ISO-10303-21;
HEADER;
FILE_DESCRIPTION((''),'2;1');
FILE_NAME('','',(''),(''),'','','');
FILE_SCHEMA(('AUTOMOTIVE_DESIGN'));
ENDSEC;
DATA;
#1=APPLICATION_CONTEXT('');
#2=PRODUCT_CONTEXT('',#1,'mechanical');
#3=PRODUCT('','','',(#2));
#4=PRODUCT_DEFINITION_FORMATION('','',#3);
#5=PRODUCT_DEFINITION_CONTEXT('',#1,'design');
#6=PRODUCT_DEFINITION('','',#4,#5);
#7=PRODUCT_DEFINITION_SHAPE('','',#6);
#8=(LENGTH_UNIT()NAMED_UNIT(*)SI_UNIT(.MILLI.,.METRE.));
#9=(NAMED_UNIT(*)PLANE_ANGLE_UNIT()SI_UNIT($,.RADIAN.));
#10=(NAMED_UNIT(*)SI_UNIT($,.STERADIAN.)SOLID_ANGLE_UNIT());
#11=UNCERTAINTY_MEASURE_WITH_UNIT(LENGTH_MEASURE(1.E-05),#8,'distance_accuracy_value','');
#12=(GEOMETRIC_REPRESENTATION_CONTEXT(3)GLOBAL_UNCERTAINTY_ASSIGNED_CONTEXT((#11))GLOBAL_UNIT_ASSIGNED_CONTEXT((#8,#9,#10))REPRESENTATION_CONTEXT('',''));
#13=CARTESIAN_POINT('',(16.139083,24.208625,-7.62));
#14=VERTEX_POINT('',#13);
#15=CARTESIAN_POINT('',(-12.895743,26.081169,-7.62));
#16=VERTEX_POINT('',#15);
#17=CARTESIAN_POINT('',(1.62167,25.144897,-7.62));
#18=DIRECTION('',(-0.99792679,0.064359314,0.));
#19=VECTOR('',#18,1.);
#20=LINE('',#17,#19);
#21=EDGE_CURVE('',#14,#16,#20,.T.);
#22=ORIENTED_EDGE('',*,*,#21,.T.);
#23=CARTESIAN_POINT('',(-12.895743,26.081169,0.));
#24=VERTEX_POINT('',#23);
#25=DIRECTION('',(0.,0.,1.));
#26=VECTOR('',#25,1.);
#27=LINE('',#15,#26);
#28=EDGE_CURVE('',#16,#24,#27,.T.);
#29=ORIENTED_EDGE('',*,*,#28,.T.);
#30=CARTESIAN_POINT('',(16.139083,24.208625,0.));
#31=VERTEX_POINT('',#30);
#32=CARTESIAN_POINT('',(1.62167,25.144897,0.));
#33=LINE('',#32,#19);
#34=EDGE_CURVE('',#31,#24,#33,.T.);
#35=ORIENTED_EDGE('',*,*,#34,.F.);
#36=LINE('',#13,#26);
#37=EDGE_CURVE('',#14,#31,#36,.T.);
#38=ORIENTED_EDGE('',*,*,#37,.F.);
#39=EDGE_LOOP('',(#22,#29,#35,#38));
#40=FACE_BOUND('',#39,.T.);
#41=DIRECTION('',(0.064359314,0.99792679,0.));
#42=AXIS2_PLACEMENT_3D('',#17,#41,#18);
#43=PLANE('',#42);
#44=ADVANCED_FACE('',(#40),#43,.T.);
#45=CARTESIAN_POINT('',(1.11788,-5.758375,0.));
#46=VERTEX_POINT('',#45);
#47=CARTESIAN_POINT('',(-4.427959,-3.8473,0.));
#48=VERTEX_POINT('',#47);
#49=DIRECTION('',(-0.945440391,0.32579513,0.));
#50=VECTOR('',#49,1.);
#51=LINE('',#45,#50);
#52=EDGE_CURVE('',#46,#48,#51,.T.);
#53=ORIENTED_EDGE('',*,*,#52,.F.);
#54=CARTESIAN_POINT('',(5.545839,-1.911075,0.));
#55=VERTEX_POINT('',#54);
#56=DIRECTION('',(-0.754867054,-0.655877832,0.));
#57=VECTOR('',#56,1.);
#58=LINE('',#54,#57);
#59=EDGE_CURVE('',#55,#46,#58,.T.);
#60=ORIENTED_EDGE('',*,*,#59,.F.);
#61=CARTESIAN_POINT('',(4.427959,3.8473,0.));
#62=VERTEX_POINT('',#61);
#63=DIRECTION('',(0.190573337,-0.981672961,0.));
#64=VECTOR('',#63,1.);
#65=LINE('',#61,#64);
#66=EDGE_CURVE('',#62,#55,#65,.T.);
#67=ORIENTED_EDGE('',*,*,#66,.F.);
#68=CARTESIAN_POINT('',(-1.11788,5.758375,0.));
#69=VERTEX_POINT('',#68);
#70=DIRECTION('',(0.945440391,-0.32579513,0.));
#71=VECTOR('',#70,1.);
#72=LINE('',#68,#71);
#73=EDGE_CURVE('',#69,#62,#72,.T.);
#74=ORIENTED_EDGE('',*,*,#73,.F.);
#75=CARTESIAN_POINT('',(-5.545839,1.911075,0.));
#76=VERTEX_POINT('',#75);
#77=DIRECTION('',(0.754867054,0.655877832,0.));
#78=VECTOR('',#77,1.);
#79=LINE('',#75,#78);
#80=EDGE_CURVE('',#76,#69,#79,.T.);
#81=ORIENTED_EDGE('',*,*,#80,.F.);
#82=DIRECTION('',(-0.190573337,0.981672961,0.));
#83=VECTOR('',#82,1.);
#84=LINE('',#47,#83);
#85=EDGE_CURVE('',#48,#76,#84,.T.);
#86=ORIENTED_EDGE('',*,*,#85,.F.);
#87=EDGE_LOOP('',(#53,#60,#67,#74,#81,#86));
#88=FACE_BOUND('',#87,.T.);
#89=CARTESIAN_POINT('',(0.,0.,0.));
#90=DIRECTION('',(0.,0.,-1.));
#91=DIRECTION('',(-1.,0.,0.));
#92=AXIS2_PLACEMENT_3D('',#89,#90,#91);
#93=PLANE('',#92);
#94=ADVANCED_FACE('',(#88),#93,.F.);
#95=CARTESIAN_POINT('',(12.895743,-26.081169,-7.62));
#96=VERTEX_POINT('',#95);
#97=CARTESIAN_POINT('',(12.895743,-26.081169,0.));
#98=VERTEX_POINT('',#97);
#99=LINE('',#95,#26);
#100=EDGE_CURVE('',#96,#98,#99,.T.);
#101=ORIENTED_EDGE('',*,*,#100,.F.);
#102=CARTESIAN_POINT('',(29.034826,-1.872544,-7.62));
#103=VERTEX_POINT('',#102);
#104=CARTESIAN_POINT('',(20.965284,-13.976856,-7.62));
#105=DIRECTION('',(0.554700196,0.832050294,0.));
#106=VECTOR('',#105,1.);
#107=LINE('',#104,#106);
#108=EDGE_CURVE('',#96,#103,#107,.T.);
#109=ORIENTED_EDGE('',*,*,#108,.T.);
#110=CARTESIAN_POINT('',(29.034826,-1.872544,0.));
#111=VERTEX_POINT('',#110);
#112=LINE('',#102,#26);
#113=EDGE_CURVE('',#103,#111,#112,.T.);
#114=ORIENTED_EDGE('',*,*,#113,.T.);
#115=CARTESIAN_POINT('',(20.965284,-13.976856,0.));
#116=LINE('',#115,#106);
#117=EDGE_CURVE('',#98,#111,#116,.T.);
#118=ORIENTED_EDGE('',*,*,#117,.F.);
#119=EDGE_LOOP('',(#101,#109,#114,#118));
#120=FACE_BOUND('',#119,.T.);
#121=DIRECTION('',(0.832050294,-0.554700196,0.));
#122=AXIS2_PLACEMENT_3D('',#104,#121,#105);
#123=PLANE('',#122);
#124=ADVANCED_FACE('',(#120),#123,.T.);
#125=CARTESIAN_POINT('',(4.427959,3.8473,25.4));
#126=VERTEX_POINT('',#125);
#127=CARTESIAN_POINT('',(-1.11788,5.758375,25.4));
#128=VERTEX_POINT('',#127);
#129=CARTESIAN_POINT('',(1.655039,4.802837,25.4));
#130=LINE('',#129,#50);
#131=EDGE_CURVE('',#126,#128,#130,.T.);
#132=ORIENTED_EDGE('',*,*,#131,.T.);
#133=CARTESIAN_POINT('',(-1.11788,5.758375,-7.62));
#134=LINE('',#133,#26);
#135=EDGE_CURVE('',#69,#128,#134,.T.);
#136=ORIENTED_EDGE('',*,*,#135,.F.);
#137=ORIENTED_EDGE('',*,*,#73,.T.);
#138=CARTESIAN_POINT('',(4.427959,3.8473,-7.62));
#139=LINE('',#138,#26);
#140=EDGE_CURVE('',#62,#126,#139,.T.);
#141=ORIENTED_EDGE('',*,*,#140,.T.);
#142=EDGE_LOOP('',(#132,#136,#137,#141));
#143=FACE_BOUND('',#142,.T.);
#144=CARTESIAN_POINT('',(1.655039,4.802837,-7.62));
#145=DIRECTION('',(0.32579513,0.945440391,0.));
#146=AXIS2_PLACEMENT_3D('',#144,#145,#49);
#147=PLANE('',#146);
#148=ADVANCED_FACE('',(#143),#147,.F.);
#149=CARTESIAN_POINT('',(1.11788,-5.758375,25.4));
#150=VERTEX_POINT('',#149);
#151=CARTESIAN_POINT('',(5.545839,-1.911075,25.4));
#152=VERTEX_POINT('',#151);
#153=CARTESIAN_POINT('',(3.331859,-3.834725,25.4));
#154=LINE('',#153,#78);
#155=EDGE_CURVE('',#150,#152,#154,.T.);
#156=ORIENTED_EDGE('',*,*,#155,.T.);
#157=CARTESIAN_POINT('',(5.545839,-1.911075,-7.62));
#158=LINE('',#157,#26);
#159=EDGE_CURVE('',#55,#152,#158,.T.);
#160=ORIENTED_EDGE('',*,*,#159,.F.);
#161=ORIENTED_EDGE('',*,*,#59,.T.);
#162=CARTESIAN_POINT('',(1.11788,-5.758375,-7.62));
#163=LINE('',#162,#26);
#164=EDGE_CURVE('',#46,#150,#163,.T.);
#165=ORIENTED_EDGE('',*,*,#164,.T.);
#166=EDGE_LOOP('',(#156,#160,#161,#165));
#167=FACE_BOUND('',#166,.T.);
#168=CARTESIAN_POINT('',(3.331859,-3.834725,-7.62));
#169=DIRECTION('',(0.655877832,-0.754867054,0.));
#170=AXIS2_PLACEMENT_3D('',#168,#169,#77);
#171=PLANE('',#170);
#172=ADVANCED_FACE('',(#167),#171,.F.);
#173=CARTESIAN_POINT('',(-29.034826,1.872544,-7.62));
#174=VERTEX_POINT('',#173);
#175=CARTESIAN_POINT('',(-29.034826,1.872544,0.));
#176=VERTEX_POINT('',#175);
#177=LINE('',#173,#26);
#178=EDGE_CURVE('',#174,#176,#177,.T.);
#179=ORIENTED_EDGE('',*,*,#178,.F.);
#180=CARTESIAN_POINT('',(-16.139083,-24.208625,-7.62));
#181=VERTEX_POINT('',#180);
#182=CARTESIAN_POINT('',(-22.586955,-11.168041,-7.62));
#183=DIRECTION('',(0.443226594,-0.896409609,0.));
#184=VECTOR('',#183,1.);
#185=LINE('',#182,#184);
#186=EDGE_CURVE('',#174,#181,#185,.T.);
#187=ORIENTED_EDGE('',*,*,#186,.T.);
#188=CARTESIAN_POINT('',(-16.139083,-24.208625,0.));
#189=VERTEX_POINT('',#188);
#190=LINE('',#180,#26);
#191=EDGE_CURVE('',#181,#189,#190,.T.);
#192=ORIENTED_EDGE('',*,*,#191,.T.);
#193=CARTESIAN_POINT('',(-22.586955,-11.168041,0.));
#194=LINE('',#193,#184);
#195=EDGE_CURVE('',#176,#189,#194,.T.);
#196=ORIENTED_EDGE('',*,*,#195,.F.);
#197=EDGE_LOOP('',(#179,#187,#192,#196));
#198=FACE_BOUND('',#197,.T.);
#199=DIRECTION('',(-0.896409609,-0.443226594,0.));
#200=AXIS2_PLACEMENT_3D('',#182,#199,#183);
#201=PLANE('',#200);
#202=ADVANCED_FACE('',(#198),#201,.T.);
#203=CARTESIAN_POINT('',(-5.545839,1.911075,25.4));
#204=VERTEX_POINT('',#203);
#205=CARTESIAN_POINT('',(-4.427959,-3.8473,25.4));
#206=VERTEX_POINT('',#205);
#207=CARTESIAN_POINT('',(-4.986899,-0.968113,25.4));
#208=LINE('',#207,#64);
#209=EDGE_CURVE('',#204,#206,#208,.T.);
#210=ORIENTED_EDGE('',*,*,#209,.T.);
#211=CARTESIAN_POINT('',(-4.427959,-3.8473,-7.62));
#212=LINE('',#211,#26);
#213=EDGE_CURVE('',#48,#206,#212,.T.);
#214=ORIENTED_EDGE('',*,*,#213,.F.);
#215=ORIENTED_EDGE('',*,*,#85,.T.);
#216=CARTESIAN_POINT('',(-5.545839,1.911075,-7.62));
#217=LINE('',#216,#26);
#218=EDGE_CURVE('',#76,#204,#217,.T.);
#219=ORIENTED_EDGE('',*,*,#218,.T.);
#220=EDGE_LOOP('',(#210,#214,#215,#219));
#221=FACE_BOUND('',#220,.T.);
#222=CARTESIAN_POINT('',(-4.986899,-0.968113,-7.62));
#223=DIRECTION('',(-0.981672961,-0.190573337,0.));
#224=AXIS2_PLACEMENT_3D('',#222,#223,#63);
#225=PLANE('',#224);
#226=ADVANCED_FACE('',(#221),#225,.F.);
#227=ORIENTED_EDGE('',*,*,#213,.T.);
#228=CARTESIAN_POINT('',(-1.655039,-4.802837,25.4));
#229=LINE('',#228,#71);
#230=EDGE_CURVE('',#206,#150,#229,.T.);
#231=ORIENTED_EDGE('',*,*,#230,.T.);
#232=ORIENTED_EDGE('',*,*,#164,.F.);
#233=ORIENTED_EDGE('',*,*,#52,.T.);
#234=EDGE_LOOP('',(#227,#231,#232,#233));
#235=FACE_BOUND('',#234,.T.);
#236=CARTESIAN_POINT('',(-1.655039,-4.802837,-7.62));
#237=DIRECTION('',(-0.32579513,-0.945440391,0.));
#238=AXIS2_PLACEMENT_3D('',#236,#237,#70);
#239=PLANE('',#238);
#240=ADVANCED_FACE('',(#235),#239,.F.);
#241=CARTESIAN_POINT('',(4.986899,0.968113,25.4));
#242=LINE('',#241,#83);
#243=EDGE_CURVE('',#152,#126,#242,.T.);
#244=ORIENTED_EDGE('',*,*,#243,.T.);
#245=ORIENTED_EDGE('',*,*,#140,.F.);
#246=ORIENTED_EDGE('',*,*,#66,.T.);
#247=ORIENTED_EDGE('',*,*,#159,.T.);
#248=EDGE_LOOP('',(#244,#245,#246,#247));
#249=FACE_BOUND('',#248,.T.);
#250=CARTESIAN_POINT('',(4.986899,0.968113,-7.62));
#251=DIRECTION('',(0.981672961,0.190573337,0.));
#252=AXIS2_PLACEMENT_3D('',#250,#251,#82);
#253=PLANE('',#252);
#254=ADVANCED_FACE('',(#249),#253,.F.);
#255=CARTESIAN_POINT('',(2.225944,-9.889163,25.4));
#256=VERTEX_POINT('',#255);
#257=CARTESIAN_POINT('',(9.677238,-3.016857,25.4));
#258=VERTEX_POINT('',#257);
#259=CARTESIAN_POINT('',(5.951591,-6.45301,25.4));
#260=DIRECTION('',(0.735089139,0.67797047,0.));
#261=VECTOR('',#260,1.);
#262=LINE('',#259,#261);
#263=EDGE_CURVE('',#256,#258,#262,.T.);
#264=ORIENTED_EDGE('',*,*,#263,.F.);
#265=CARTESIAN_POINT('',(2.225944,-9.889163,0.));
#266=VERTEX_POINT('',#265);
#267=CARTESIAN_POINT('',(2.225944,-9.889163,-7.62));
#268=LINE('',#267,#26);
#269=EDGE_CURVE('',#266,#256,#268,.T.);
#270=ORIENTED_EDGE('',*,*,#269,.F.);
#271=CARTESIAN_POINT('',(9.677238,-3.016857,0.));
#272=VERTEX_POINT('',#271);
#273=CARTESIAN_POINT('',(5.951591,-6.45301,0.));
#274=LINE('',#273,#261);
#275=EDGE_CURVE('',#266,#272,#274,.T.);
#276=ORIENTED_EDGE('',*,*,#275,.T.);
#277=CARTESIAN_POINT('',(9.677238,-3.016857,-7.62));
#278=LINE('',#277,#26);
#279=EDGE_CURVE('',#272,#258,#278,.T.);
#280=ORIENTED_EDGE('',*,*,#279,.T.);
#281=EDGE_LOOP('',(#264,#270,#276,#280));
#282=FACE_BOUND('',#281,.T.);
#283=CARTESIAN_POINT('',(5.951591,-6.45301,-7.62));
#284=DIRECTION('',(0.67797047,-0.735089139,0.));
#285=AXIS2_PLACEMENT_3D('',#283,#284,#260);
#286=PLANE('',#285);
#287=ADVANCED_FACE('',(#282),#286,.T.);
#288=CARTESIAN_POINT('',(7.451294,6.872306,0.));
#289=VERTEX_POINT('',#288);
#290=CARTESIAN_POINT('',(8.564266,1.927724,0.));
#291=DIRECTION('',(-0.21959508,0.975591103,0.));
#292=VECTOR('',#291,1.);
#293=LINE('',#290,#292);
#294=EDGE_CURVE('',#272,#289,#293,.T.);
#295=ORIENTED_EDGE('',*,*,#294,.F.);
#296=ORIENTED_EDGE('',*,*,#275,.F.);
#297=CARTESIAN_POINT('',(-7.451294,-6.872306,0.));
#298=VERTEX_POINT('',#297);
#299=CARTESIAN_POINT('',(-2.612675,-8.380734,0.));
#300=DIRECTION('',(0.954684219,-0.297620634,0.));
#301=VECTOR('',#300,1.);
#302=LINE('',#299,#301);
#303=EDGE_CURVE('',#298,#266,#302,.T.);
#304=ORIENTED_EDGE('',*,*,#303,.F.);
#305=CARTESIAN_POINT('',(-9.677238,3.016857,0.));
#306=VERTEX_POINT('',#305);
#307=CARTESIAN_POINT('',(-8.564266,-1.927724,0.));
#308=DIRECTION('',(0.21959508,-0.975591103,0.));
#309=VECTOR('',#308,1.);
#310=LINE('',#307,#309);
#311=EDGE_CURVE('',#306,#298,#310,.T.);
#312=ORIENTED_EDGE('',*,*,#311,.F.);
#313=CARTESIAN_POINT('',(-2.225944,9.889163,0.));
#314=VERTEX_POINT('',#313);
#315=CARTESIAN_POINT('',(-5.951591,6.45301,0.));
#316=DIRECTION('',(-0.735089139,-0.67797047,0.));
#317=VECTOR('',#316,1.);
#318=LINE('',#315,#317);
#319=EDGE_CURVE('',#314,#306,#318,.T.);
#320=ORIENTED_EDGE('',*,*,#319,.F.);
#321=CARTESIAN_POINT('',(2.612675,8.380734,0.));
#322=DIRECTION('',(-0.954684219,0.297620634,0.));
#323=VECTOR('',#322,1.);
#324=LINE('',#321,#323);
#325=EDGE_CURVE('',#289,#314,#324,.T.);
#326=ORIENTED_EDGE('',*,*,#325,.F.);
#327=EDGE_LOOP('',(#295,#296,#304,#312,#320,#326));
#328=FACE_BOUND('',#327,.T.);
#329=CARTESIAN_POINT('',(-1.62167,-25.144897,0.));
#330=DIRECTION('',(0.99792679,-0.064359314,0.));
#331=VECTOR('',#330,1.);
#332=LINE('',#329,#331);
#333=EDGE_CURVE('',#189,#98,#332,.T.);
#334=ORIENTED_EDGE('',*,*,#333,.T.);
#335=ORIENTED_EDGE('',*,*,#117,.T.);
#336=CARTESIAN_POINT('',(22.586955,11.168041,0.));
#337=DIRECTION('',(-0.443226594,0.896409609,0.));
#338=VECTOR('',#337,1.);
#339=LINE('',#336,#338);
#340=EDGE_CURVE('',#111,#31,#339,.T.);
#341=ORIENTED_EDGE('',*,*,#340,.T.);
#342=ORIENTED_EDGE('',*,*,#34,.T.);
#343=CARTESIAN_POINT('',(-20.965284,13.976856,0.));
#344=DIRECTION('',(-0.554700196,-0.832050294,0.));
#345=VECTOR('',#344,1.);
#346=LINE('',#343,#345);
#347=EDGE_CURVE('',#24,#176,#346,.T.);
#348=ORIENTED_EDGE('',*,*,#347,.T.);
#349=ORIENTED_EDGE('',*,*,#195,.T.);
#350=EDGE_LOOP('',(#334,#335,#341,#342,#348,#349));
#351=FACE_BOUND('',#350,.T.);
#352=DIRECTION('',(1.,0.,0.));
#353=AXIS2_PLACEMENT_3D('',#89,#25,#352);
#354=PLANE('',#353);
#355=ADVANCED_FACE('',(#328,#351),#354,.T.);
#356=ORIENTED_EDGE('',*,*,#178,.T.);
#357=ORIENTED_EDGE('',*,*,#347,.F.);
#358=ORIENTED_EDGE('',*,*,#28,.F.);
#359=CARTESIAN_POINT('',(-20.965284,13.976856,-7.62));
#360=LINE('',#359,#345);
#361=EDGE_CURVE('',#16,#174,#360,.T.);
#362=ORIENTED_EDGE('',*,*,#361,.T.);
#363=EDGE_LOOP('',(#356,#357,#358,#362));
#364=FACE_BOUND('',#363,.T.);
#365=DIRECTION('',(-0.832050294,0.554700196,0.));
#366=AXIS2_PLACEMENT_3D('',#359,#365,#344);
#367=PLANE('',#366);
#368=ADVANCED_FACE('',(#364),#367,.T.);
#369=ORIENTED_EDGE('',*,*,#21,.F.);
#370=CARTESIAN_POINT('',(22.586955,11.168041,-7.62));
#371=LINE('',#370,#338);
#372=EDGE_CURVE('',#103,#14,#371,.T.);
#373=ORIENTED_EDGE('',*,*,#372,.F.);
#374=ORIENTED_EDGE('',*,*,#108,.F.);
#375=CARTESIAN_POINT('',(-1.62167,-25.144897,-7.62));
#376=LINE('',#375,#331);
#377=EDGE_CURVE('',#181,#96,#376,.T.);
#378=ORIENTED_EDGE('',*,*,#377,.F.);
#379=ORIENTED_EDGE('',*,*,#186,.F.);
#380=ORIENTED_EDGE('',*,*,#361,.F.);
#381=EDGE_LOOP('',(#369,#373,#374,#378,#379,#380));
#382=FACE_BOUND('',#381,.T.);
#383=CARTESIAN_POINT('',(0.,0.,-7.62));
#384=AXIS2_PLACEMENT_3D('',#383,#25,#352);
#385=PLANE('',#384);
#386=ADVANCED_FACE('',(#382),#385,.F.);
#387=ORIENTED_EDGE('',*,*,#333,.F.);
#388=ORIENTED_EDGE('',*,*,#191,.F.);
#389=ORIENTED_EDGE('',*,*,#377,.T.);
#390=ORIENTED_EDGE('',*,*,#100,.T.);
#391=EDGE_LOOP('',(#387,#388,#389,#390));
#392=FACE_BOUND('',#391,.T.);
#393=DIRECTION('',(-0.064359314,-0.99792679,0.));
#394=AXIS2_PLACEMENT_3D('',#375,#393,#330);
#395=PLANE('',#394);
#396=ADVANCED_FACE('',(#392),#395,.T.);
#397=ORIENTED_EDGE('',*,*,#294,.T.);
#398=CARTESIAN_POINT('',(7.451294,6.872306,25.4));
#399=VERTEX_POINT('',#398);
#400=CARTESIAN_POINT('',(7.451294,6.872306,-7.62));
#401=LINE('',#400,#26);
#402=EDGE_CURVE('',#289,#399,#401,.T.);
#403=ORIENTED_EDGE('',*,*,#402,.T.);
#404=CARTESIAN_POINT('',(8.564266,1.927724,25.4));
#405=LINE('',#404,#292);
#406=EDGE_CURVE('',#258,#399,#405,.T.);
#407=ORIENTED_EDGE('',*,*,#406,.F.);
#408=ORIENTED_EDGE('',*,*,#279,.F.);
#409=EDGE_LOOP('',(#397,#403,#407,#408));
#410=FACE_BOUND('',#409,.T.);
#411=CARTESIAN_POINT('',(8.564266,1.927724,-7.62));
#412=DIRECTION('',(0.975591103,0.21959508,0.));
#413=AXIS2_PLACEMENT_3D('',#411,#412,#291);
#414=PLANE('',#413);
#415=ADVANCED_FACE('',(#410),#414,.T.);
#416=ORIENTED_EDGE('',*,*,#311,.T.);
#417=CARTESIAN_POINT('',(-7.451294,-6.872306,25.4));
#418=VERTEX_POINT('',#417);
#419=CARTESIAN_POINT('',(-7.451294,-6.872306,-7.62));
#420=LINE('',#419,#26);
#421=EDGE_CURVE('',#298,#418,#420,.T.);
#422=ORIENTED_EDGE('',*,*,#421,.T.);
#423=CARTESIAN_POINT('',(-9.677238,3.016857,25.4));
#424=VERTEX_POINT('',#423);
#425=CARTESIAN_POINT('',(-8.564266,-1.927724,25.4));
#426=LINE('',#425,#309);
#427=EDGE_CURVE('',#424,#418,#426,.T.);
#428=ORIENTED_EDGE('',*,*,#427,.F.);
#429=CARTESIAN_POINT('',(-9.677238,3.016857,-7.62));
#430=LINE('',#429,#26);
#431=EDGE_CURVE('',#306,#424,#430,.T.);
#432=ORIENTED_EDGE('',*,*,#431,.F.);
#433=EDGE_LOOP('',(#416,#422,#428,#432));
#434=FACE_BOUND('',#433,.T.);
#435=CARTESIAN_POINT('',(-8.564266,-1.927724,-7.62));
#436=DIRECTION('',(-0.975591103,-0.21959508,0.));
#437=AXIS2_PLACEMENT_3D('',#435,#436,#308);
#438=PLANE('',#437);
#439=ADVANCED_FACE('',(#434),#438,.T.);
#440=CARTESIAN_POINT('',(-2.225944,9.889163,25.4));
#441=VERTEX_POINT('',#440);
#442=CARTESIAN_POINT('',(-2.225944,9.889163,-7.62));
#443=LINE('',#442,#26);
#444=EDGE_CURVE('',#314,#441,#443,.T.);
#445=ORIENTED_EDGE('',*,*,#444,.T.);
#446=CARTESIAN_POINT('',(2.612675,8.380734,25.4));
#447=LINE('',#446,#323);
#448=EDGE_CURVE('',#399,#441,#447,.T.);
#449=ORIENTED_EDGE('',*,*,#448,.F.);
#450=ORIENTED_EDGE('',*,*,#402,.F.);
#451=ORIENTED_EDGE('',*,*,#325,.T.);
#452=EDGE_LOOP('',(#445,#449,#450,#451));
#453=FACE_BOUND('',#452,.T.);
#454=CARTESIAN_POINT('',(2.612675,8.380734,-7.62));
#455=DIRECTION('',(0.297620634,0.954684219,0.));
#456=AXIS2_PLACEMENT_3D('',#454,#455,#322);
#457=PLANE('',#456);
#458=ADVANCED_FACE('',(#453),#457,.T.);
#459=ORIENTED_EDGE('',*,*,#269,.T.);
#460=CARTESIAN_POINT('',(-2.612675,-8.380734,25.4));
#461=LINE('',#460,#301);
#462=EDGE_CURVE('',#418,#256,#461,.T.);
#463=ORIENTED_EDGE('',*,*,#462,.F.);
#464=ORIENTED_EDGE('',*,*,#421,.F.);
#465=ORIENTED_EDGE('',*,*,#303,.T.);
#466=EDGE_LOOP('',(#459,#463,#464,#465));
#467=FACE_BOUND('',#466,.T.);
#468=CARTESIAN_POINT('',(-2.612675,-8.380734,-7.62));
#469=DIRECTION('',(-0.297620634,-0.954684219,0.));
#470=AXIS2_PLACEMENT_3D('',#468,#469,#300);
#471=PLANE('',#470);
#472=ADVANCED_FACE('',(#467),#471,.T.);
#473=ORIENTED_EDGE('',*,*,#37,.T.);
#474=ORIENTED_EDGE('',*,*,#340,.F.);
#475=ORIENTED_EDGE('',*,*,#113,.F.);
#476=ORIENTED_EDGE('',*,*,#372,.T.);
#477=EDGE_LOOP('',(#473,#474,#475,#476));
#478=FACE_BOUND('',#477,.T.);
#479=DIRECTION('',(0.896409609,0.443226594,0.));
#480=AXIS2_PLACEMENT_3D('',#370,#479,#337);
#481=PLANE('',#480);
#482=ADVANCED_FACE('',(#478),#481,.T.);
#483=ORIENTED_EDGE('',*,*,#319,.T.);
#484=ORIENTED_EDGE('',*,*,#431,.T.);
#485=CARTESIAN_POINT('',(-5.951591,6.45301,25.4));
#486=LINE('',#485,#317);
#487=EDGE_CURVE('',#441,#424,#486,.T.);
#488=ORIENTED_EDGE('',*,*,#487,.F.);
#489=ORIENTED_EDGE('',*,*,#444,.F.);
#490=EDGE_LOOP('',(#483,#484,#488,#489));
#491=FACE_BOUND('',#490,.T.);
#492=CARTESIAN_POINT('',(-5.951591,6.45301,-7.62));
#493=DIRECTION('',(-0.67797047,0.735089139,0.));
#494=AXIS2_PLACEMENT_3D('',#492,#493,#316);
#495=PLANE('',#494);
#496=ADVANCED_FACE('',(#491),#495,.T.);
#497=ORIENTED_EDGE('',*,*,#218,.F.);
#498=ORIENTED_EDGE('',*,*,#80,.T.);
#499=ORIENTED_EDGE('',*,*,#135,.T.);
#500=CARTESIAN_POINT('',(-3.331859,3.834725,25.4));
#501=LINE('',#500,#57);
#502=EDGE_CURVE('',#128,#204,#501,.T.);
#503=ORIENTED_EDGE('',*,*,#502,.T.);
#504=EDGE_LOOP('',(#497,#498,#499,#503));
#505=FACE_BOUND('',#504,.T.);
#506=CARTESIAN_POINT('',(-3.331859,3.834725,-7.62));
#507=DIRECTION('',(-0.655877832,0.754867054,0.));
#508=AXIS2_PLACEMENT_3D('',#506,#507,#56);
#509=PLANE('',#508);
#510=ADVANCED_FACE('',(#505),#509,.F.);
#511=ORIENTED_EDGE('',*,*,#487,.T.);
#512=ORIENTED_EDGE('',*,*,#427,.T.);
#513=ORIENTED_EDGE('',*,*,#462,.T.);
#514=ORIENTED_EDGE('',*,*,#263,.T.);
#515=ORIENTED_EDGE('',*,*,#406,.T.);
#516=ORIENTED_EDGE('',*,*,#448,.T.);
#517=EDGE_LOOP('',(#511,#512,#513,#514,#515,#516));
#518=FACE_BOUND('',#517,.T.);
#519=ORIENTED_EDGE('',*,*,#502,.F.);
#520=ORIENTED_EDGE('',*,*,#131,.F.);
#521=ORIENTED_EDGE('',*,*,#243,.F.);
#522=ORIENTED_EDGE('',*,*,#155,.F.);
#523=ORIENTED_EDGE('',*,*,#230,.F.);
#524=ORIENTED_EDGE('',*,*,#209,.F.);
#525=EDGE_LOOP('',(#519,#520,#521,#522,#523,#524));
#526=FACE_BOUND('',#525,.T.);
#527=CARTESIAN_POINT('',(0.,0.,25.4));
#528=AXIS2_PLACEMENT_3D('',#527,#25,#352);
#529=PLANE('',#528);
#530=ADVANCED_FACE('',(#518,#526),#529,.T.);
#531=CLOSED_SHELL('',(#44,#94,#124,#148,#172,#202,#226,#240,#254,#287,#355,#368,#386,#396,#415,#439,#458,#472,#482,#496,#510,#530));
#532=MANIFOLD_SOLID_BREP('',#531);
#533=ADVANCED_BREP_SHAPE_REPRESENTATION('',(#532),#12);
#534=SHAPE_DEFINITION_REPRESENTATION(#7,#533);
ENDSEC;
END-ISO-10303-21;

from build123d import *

# Parameters (mm, degrees)
BOSS_EXTRUDE1_DEPTH      = 7.62
BOSS_EXTRUDE2_DEPTH      = 25.4
BOSS_EXTRUDE2_DEPTH_BACK = 7.62
BOSS_EXTRUDE3_DEPTH      = 7.62


with BuildPart() as part:
    # Sketch1 → Boss-Extrude1 (new body)
    with BuildSketch(Plane.XY):
        Polygon((29.034826066, -1.872543671), (16.139083421, 24.208625132), (-12.895742644, 26.081168803), (-29.034826066, 1.872543671), (-16.139083421, -24.208625132), (12.895742644, -26.081168803), align=None)
        Polygon((-2.225944347, 9.889162812), (7.451294044, 6.872305758), (9.677238391, -3.016857054), (2.225944347, -9.889162812), (-7.451294044, -6.872305758), (-9.677238391, 3.016857054), align=None, mode=Mode.SUBTRACT)
    extrude(amount=-BOSS_EXTRUDE1_DEPTH)

    # Sketch1<3> → Boss-Extrude2 (add, two sides: drawn at the far end of the back side and taken through both)
    with BuildSketch(Plane.XY.offset(-BOSS_EXTRUDE2_DEPTH_BACK)):
        Polygon((9.677238391, -3.016857054), (7.451294044, 6.872305758), (-2.225944347, 9.889162812), (-9.677238391, 3.016857054), (-7.451294044, -6.872305758), (2.225944347, -9.889162812), align=None)
        Polygon((-1.117880084, 5.758374549), (4.427958602, 3.847299826), (5.545838686, -1.911074723), (1.117880084, -5.758374549), (-4.427958602, -3.847299826), (-5.545838686, 1.911074723), align=None, mode=Mode.SUBTRACT)
    extrude(amount=BOSS_EXTRUDE2_DEPTH + BOSS_EXTRUDE2_DEPTH_BACK)

    # Sketch2 → Boss-Extrude3 (add)
    with BuildSketch(Plane(origin=(0, 0, -7.62), x_dir=(-1, 0, 0), z_dir=(0, 0, -1))):
        Polygon((1.117880084, 5.758374549), (-4.427958602, 3.847299826), (-5.545838686, -1.911074723), (-1.117880084, -5.758374549), (4.427958602, -3.847299826), (5.545838686, 1.911074723), align=None)
    extrude(amount=-BOSS_EXTRUDE3_DEPTH)


solid = part.part
